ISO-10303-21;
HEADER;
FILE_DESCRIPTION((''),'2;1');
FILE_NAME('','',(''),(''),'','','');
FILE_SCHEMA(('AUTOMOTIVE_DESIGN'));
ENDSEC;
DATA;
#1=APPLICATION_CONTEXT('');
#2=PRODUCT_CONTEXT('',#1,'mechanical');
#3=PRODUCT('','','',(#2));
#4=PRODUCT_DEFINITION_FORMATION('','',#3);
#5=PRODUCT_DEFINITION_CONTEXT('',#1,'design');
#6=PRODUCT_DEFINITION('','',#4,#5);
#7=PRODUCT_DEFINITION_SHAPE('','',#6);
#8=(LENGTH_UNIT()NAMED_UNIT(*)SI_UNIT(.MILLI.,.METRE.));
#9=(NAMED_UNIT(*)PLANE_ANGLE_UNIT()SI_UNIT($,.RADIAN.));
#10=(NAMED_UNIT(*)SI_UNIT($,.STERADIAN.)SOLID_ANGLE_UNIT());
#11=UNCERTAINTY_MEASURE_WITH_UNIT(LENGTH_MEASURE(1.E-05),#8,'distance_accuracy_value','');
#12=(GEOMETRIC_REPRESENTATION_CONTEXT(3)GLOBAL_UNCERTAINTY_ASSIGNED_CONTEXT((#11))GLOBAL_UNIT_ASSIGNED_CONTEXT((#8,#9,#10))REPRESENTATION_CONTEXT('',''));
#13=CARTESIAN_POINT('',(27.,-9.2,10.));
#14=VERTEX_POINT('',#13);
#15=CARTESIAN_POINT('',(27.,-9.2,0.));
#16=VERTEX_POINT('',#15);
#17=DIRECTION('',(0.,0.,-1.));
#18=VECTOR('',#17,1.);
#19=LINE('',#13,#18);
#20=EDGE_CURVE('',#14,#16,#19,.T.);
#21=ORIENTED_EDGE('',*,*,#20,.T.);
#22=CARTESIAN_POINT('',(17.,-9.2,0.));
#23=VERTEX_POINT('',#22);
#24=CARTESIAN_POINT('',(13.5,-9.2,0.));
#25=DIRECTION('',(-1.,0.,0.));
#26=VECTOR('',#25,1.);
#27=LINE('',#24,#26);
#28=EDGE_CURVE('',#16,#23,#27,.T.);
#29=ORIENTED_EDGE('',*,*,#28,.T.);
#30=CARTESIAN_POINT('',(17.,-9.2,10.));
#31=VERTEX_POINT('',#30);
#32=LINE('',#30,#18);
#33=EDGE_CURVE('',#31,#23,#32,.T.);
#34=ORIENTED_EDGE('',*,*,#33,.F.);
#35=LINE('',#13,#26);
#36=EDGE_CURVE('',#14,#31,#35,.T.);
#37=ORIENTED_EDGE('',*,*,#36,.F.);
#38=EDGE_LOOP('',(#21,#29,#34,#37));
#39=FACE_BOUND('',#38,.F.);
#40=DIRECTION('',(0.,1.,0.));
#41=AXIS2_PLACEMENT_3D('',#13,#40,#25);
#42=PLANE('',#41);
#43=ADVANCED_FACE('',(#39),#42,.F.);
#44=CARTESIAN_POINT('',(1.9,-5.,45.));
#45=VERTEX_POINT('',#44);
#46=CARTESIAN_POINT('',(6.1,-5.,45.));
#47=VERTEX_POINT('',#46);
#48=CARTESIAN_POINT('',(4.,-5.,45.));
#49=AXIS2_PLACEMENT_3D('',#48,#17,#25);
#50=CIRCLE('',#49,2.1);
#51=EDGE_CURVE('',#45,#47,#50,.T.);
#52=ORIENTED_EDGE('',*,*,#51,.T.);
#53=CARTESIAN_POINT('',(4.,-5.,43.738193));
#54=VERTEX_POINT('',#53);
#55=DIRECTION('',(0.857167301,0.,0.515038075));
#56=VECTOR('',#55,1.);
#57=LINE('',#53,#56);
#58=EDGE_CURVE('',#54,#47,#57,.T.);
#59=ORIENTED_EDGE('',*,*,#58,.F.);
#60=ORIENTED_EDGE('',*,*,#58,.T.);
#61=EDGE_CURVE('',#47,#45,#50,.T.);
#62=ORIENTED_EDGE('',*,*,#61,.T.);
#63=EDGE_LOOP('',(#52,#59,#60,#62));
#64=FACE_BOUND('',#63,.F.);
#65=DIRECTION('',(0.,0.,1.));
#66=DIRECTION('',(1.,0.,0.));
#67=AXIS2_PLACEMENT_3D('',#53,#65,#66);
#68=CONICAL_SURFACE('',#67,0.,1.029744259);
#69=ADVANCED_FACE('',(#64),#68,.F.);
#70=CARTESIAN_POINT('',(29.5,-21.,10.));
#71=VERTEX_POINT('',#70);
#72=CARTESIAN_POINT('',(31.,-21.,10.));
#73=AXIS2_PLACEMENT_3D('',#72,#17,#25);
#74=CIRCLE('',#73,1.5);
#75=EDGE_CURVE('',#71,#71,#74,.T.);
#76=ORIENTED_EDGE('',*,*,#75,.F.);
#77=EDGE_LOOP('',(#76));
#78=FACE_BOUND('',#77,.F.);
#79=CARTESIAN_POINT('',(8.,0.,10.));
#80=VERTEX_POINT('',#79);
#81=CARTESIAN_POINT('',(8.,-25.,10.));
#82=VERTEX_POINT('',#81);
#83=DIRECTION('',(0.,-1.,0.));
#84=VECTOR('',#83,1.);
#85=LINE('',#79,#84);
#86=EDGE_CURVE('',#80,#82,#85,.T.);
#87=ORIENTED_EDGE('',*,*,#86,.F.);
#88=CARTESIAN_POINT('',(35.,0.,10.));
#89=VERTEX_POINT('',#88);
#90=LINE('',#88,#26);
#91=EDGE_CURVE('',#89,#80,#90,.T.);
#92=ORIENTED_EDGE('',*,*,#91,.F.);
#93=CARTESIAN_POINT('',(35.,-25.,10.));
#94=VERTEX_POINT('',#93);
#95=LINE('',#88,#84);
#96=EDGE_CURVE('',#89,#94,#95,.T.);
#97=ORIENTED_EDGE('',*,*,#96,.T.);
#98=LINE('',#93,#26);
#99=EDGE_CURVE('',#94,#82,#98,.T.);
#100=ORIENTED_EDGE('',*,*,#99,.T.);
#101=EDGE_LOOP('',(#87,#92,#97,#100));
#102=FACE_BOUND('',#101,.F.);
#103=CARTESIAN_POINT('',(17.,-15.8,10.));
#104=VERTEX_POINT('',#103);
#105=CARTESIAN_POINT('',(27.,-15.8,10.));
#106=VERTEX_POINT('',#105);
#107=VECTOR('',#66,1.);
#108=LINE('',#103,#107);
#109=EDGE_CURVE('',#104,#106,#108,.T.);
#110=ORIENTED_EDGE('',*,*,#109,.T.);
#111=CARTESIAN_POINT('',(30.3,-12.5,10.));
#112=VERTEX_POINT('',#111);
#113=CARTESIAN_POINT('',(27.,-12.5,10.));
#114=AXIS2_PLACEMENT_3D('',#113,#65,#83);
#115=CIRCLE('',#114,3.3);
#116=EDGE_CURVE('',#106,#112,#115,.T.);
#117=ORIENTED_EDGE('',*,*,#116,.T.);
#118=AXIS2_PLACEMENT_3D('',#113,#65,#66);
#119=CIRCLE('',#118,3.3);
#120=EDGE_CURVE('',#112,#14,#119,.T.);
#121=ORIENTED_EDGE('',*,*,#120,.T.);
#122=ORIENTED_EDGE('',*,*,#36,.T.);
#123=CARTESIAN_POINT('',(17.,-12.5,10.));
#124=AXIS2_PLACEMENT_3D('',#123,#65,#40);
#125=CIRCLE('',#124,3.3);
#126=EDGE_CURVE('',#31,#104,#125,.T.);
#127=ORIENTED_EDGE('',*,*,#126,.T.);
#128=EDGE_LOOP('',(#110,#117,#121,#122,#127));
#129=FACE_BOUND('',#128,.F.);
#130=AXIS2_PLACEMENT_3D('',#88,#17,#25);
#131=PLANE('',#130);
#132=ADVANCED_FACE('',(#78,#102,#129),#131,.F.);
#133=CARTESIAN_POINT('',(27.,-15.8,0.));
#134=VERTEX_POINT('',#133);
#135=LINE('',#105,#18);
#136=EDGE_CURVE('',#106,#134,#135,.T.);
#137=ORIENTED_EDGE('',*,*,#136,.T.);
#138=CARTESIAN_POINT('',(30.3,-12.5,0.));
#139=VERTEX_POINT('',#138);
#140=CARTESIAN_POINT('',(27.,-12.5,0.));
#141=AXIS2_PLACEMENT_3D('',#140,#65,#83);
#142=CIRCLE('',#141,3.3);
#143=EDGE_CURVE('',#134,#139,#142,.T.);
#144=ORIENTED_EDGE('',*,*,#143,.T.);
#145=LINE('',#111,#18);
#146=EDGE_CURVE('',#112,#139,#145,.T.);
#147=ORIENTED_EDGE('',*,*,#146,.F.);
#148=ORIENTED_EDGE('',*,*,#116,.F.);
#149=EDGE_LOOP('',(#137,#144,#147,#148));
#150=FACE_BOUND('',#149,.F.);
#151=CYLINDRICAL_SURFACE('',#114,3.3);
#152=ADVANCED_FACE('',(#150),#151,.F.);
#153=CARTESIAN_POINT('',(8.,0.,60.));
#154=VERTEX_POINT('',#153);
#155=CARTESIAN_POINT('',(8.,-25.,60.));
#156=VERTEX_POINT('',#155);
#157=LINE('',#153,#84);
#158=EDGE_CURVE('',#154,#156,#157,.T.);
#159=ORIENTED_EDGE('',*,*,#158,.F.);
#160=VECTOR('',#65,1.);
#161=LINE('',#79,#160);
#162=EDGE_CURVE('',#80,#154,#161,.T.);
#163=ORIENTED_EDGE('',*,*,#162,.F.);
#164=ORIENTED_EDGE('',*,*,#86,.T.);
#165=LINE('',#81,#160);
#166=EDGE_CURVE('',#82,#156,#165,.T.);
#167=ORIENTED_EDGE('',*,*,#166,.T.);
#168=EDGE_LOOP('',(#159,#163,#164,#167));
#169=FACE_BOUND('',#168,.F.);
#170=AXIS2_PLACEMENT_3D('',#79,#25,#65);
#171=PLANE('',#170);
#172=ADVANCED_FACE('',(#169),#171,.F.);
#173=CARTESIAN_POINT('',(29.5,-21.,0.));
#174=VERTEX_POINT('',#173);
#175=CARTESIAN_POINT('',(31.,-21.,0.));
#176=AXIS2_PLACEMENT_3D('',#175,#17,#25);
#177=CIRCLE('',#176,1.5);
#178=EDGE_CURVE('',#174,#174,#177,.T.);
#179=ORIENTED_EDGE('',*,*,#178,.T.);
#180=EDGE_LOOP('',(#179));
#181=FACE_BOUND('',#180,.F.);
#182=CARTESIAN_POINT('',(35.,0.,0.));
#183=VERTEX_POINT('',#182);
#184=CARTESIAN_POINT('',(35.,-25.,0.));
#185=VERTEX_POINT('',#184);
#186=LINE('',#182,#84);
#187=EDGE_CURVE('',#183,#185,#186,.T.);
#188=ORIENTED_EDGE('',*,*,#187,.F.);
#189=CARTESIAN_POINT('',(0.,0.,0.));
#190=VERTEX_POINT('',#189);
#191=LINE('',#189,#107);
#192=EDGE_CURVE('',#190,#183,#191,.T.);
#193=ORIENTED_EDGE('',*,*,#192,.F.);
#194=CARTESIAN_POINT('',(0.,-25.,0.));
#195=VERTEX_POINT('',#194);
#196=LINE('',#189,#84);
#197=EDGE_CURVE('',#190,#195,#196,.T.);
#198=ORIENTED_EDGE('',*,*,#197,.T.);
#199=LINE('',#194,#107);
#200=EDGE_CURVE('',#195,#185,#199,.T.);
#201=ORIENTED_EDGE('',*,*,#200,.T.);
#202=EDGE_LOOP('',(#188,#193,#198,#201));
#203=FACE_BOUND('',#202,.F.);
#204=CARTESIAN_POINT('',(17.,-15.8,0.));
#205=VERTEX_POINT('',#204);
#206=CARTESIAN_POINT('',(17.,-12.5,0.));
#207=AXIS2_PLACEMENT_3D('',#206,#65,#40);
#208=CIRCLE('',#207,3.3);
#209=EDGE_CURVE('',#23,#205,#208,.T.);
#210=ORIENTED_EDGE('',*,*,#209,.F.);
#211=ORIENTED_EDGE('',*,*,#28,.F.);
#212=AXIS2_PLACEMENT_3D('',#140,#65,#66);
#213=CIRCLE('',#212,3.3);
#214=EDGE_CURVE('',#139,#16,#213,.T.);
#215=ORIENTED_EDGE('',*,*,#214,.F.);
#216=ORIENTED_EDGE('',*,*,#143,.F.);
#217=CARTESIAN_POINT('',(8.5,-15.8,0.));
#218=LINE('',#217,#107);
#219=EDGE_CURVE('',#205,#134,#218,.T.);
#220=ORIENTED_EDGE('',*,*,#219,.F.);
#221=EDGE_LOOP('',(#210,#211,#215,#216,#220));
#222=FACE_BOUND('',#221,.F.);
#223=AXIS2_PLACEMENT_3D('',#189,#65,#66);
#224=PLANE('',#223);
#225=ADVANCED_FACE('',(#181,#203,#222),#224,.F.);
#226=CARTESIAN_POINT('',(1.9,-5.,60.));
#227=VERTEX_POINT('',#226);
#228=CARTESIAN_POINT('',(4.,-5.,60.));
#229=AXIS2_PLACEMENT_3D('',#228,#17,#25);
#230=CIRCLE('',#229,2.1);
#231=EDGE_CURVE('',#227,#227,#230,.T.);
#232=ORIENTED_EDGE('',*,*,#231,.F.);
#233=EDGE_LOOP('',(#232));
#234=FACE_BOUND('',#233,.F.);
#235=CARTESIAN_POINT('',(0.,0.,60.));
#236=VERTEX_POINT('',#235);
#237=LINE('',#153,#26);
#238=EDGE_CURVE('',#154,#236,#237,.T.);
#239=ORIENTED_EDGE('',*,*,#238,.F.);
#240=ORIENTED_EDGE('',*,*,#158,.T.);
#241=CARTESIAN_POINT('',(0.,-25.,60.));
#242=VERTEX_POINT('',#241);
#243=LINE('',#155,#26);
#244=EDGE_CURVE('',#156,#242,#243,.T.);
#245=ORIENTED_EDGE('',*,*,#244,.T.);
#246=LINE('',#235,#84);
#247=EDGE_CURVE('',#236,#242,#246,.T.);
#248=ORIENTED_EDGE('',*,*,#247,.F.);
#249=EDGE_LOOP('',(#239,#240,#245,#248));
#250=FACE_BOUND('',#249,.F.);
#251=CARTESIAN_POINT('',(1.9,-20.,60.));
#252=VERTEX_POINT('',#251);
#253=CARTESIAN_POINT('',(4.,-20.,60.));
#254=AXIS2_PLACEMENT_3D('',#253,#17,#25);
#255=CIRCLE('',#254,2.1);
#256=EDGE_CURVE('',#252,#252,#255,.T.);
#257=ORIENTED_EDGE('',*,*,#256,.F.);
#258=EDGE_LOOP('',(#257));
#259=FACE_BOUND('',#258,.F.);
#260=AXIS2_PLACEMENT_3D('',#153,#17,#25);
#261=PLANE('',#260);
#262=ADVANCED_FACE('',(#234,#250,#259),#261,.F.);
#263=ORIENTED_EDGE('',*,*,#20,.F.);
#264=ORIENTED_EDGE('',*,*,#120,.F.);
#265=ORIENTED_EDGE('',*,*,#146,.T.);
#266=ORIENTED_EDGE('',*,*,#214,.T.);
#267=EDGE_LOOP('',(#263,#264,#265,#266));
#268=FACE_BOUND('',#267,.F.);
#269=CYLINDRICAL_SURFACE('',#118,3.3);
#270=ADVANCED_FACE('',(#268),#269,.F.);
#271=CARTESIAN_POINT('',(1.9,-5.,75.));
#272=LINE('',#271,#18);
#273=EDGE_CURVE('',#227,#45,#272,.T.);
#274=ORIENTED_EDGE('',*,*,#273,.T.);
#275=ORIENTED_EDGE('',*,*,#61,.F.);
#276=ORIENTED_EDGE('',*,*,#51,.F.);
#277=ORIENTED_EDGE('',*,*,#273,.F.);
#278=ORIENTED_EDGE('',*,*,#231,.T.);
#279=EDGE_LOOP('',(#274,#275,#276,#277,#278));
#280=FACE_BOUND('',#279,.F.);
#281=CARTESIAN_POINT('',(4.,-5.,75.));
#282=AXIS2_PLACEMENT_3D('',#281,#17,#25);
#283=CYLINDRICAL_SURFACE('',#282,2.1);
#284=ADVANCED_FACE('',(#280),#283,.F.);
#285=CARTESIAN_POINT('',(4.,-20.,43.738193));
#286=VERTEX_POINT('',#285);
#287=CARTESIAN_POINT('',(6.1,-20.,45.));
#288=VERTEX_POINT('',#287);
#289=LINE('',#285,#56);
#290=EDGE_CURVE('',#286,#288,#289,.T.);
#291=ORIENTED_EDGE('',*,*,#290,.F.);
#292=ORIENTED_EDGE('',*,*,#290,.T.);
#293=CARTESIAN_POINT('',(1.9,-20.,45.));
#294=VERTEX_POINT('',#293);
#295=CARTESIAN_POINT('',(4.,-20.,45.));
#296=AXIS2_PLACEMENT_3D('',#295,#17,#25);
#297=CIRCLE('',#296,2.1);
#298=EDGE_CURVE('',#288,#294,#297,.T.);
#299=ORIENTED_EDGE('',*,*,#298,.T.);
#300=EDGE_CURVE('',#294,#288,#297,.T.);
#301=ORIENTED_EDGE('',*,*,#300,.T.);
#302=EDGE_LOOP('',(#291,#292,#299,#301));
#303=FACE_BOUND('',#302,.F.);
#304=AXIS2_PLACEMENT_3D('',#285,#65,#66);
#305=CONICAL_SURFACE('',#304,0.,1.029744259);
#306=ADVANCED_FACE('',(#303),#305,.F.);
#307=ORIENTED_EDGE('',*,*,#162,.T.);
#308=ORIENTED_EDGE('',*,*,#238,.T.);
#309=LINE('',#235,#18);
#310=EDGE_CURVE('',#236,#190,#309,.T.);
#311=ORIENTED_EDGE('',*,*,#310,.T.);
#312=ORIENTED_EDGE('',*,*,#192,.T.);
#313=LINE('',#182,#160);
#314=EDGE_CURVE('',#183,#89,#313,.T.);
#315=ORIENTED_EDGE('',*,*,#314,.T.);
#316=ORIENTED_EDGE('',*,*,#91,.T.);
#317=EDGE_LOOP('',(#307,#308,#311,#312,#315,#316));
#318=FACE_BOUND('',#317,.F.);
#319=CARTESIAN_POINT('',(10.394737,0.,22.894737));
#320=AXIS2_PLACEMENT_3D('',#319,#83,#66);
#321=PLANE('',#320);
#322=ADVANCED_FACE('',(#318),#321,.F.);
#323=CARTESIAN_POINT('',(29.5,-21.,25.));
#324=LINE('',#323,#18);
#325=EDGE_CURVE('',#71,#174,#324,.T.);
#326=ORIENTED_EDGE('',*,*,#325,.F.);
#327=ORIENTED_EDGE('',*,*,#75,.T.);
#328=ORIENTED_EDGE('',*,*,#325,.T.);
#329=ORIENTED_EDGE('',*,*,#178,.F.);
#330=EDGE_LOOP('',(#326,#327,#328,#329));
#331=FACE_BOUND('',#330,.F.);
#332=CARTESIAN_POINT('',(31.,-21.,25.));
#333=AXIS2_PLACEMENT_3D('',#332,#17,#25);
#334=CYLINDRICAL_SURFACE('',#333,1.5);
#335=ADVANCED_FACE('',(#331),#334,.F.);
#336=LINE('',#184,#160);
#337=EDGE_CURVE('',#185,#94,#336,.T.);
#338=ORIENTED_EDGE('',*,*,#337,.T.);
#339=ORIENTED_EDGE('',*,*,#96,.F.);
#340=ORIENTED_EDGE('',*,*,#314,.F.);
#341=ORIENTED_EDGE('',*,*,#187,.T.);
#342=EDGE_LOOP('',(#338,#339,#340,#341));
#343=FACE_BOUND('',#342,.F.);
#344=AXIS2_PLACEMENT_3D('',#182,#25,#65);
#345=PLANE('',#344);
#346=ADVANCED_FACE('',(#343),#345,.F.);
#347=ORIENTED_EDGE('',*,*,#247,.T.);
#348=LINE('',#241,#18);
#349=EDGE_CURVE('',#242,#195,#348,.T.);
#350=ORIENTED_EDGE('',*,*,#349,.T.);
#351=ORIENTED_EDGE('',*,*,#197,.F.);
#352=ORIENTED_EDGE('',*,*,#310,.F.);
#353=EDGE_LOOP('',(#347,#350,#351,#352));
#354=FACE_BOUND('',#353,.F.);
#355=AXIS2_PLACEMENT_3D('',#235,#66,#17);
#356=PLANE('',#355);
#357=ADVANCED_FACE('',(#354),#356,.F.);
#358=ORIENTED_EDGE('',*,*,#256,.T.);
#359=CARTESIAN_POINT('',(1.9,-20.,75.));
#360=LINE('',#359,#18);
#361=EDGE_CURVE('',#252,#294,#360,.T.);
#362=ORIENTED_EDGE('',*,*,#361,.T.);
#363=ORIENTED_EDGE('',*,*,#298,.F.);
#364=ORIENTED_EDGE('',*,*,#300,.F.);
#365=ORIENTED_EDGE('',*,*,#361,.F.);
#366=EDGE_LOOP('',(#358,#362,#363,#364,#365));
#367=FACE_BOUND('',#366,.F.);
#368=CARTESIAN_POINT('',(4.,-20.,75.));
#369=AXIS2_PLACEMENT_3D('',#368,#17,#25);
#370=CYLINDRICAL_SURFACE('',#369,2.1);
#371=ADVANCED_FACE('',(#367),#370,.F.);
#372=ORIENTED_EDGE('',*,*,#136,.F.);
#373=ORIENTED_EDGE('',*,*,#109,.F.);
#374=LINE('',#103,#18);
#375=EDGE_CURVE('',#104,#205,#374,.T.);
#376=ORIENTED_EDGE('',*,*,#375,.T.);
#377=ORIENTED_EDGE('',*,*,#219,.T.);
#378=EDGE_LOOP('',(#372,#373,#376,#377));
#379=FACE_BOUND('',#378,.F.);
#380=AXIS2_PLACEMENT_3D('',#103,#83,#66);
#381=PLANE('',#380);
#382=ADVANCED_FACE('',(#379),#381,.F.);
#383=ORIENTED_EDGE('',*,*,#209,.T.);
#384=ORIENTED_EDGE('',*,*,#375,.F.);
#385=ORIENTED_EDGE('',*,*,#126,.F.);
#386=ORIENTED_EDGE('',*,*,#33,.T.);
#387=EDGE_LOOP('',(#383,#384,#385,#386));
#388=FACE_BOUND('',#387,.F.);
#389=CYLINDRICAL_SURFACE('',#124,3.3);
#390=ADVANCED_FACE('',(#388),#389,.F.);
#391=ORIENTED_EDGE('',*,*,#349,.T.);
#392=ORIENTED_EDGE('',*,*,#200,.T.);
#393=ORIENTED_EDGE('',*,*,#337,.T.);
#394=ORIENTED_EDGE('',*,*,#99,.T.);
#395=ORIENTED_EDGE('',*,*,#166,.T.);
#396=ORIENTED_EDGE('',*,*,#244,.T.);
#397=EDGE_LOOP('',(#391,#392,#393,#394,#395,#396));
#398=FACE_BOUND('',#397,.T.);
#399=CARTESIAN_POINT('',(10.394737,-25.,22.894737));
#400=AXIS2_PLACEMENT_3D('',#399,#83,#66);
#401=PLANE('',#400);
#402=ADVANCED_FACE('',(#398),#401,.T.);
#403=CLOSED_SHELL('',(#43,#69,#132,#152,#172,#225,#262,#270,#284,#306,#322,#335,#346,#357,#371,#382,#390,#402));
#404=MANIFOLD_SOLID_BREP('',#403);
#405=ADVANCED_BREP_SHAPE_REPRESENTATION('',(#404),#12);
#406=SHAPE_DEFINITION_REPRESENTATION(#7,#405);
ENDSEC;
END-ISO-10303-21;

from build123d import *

# Parameters (mm, degrees)
F1_DEPTH = 25
F3_D     = 4.2
F3_DEPTH = 15
F3_TIP   = 1.2618073
F5_DEPTH = 25
F6_D     = 3
F6_DEPTH = 15
F6_TIP   = 0.9012909285


with BuildPart() as f1:
    # F0 (on Front) → F1 (new body)
    with BuildSketch(Plane.XZ):
        Polygon((0, 60), (0, 0), (35, 0), (35, 10), (8, 10), (8, 60), align=None)
    extrude(amount=F1_DEPTH)

    # F3
    with Locations(Plane.XY.offset(60)):
        with Locations((4, -5), (4, -20)):
            Hole(F3_D / 2, depth=F3_DEPTH)
            with Locations((0, 0, -(F3_DEPTH + F3_TIP / 2))):  # 118° drill point
                Cone(0, F3_D / 2, F3_TIP, mode=Mode.SUBTRACT)

    # F4 (on face) → F5 (cut)
    with BuildSketch(Plane.XY.offset(10)):
        with BuildLine():
            ThreePointArc((27, -15.8), (29.3334523779, -14.8334523779), (30.3, -12.5))
            ThreePointArc((30.3, -12.5), (29.3334523779, -10.1665476221), (27, -9.2))
            Line((27, -9.2), (27, -15.8))
        make_face()
        with BuildLine():
            Line((27, -15.8), (27, -9.2))
            ThreePointArc((27, -9.2), (23.7, -12.5), (27, -15.8))
        make_face()
        with BuildLine():
            ThreePointArc((27, -15.8), (23.7, -12.5), (27, -9.2))
            Line((27, -9.2), (17, -9.2))
            ThreePointArc((17, -9.2), (19.3334523779, -10.1665476221), (20.3, -12.5))
            ThreePointArc((20.3, -12.5), (19.3334523779, -14.8334523779), (17, -15.8))
            Line((17, -15.8), (27, -15.8))
        make_face()
        with BuildLine():
            ThreePointArc((20.3, -12.5), (19.3334523779, -10.1665476221), (17, -9.2))
            ThreePointArc((17, -9.2), (13.7, -12.5), (17, -15.8))
            ThreePointArc((17, -15.8), (19.3334523779, -14.8334523779), (20.3, -12.5))
        make_face()
    extrude(amount=-F5_DEPTH, mode=Mode.SUBTRACT)

    # F6
    with Locations(Plane.XY.offset(10)):
        with Locations((31, -21)):
            Hole(F6_D / 2, depth=F6_DEPTH)
            with Locations((0, 0, -(F6_DEPTH + F6_TIP / 2))):  # 118° drill point
                Cone(0, F6_D / 2, F6_TIP, mode=Mode.SUBTRACT)


solid = f1.part
